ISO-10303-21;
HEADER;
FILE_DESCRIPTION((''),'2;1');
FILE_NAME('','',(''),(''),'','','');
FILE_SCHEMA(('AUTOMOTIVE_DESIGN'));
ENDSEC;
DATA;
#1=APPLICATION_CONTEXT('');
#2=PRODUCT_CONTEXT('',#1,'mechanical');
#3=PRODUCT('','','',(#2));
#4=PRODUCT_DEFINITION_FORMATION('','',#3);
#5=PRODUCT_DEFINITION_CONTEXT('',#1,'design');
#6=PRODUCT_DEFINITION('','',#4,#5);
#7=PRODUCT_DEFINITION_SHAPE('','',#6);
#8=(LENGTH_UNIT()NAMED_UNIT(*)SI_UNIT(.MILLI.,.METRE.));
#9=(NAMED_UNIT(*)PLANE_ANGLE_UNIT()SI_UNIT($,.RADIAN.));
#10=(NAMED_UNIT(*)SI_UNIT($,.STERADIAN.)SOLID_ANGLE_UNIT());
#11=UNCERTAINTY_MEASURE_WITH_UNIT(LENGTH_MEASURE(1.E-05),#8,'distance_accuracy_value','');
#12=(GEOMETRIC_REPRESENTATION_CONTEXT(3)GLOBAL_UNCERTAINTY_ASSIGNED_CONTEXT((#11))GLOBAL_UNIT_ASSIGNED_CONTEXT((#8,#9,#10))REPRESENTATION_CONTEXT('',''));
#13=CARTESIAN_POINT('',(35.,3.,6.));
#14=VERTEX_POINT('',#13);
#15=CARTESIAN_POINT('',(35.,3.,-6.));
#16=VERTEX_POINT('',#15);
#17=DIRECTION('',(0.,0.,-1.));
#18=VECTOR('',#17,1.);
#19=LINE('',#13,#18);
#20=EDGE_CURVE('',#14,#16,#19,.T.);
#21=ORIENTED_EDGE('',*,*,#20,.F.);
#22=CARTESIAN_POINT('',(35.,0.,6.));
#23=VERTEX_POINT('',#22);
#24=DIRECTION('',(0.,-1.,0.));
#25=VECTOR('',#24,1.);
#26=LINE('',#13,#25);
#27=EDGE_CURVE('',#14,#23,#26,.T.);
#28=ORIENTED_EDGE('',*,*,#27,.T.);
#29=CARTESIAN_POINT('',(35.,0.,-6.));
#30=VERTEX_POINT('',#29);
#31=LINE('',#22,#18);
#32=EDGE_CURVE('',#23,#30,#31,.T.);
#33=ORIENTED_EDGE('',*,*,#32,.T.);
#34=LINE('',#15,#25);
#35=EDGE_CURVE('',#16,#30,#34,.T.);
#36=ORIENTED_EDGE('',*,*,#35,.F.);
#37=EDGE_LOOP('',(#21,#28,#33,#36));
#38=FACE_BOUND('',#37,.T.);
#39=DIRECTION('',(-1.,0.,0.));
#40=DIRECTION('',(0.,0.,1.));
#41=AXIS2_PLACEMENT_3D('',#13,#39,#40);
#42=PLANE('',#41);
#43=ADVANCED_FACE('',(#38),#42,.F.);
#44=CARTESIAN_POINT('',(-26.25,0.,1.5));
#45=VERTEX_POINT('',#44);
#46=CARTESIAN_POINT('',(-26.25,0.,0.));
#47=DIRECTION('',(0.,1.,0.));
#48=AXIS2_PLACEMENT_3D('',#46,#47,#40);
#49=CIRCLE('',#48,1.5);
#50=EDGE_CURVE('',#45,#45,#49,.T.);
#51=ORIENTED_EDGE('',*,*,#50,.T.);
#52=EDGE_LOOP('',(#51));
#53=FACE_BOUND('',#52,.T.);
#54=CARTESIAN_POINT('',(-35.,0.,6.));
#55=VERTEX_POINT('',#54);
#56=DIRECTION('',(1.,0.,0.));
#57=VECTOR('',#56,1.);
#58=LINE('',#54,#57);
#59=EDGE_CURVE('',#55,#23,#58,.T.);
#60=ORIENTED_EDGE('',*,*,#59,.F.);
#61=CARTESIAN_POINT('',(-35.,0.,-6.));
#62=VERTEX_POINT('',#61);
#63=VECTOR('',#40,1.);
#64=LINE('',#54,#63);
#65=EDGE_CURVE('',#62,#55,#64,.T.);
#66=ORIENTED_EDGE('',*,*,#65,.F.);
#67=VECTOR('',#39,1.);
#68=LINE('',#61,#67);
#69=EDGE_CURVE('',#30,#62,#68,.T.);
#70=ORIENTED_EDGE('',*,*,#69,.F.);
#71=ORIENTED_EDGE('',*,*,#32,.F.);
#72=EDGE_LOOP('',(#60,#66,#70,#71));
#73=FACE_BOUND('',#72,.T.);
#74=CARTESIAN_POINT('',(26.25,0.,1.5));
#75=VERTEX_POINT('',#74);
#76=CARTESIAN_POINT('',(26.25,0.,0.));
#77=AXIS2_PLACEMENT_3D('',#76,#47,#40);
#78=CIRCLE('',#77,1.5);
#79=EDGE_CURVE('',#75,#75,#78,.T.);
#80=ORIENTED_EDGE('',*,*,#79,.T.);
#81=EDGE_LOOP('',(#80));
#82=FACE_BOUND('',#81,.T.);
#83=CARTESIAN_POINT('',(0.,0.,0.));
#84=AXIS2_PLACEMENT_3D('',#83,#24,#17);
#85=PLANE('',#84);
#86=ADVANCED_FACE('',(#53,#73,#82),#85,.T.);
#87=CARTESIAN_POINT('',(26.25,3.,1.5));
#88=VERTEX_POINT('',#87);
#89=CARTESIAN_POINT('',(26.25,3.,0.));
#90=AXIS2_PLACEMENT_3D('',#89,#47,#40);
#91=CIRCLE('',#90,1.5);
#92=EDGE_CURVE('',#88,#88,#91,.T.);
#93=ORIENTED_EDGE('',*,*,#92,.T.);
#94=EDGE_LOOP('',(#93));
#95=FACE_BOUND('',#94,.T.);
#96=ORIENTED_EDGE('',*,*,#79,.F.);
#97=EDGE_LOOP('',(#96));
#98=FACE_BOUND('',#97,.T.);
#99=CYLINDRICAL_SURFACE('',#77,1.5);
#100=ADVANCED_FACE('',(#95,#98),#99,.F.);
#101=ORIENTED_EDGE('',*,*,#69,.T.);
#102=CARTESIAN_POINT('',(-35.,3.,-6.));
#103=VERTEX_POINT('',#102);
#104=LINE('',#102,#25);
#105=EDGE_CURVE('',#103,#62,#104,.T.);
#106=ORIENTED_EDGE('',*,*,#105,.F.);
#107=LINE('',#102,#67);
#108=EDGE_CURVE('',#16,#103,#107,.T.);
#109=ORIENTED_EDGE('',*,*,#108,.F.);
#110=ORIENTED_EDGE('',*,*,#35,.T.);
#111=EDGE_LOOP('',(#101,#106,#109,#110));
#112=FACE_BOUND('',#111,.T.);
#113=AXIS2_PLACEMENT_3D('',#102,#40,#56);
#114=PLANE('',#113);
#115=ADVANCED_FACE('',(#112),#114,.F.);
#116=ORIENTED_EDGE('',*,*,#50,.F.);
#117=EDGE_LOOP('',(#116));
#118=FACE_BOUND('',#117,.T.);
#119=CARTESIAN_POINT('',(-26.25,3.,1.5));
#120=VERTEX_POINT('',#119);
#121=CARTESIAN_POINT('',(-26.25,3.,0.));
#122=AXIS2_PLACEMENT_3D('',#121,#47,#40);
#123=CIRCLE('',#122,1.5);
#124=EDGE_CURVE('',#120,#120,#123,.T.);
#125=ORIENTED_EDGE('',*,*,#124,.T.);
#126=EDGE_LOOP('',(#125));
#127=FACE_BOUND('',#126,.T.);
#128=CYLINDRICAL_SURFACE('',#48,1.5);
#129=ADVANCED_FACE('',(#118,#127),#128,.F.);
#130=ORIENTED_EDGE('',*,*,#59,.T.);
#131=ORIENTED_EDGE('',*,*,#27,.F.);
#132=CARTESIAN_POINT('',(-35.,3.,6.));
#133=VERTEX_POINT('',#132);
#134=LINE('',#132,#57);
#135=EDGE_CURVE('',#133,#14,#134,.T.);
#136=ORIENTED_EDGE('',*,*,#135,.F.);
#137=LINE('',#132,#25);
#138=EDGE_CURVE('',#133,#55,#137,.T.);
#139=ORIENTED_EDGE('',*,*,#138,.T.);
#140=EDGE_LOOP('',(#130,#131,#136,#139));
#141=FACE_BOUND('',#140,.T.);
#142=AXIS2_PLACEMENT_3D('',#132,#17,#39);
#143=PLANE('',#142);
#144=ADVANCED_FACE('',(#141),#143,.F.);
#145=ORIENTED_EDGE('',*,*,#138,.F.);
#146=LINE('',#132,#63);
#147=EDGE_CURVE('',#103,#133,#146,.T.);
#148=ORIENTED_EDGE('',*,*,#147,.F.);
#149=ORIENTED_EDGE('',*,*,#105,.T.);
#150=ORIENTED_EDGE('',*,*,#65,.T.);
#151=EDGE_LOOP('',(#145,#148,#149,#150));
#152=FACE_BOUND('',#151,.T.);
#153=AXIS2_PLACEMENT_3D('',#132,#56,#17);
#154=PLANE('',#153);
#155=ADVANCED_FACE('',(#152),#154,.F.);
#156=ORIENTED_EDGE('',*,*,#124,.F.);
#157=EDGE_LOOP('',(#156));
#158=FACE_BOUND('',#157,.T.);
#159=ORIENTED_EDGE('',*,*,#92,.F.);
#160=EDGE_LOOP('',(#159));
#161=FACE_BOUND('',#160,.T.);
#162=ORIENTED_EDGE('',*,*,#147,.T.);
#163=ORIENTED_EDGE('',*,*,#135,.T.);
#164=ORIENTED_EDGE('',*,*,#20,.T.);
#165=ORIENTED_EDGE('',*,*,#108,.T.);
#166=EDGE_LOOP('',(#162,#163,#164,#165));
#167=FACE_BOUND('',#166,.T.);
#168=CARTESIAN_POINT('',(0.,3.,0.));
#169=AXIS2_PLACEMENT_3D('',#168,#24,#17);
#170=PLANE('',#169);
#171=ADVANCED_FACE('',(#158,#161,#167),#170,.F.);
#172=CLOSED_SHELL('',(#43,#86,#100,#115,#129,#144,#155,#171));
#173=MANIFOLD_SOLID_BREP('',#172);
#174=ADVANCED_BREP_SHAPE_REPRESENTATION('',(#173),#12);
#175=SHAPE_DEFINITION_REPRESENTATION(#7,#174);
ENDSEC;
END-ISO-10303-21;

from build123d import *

# Parameters (mm, degrees)
SKETCH1_W           = 70
SKETCH1_H           = 12
BOSS_EXTRUDE1_DEPTH = 3
SKETCH3_R           = 1.5
CUT_EXTRUDE1_DEPTH  = 36.637059362


with BuildPart() as part:
    # Sketch1 → Boss-Extrude1 (new body)
    with BuildSketch(Plane(origin=(0, 0, 0), x_dir=(1, 0, 0), z_dir=(0, 1, 0))):
        Rectangle(SKETCH1_W, SKETCH1_H)
    extrude(amount=BOSS_EXTRUDE1_DEPTH)

    # Sketch3 → Cut-Extrude1 (cut, through all)
    with BuildSketch(Plane(origin=(0, 3, 0), x_dir=(1, 0, 0), z_dir=(0, 1, 0))):
        with Locations(Location((-26.25, 0, 0), (0, 0, 270))):
            Circle(SKETCH3_R)
        with Locations(Location((26.25, 0, 0), (0, 0, 270))):
            Circle(SKETCH3_R)
    extrude(amount=-CUT_EXTRUDE1_DEPTH, mode=Mode.SUBTRACT)


solid = part.part
